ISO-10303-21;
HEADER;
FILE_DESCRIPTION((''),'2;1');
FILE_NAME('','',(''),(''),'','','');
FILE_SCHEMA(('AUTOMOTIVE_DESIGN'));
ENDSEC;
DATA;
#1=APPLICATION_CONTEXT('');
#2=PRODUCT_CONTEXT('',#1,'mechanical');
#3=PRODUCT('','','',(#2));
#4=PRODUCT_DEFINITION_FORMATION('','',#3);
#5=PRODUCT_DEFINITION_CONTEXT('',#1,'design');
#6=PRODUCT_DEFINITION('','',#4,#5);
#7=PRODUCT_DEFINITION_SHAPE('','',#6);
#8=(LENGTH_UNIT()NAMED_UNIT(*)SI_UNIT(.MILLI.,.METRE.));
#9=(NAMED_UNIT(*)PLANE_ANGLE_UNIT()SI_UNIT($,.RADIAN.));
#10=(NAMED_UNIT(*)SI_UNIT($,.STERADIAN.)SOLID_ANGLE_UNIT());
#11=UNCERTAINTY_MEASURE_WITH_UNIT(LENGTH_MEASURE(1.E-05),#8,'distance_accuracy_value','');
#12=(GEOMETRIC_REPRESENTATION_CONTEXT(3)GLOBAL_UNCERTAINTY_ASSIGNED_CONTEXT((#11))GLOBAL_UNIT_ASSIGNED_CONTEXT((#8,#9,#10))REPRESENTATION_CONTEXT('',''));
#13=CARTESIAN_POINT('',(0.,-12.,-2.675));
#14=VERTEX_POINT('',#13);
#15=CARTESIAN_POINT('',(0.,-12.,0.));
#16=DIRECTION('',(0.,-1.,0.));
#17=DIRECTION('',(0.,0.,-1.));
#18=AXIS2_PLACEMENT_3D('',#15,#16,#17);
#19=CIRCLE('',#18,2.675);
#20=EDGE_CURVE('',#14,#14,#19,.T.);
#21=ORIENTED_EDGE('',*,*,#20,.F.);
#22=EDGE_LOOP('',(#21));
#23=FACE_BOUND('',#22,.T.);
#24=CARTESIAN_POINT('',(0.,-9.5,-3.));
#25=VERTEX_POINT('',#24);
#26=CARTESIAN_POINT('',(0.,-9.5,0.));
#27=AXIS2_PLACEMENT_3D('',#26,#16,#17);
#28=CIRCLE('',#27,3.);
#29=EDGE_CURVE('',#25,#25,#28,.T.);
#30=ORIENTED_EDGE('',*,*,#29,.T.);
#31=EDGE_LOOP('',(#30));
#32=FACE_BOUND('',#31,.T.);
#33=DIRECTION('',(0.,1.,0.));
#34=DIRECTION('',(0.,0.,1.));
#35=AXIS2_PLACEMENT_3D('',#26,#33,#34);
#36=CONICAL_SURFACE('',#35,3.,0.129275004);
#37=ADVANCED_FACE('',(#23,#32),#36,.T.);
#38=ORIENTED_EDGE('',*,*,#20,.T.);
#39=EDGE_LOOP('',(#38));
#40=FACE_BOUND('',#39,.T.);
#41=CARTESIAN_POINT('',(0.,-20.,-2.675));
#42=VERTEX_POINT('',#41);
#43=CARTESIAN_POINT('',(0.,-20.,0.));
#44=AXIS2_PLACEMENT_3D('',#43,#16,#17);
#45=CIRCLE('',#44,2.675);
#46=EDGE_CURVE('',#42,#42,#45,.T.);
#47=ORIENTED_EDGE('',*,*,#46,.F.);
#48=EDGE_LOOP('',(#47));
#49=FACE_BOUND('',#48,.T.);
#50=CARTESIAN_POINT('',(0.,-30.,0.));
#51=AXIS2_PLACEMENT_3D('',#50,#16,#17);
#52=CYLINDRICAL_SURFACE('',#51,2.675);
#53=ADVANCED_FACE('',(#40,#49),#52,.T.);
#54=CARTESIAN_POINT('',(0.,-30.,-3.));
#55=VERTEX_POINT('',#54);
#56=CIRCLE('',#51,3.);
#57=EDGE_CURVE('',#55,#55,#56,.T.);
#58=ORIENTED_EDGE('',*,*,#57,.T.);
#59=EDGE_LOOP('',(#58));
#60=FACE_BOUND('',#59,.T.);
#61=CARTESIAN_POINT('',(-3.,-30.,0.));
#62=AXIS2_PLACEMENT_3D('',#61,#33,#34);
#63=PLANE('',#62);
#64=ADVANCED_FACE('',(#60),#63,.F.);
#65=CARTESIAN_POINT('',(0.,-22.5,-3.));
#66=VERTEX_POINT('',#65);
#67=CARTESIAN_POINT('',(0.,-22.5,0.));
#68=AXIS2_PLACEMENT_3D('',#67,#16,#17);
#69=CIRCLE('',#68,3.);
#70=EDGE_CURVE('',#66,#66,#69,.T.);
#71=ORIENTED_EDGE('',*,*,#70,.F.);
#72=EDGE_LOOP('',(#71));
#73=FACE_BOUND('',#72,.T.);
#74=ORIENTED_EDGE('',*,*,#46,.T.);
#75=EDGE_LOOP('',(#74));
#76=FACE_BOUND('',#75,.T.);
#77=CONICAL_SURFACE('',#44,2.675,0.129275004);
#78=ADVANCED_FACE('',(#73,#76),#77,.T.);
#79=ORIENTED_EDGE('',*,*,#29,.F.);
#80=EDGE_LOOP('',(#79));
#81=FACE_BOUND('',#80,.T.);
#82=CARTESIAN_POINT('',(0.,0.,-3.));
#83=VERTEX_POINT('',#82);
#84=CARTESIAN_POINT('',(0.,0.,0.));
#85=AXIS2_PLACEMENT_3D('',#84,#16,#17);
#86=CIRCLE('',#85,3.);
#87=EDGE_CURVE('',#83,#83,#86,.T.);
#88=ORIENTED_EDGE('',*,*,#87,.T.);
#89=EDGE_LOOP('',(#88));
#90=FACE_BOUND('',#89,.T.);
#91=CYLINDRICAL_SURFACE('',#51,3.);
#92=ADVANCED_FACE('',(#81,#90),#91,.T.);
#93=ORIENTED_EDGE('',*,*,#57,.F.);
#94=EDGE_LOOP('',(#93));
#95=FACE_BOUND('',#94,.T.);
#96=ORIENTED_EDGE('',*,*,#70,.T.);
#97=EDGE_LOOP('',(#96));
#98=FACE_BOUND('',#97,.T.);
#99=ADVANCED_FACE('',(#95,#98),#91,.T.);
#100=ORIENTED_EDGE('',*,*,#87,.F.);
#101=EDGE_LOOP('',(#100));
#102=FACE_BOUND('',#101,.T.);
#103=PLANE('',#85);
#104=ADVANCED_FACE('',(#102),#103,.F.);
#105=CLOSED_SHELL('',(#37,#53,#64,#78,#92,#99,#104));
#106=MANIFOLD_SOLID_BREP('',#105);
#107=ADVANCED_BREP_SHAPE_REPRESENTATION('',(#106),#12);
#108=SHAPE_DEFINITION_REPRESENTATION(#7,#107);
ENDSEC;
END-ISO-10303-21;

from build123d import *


with BuildPart() as part:
    # 草图1 → 旋转1 (revolve)
    with BuildSketch(Plane.XY, mode=Mode.PRIVATE) as revolve_1_sk:
        Polygon((0, 0), (-3, 0), (-3, -9.5), (-2.675, -12), (-2.675, -20), (-3, -22.5), (-3, -30), (0, -30), align=None)
    revolve(revolve_1_sk.sketch.rotate(Axis((0, -30, 0), (0, 1, 0)), 270), axis=Axis((0, -30, 0), (0, 1, 0)))


solid = part.part
